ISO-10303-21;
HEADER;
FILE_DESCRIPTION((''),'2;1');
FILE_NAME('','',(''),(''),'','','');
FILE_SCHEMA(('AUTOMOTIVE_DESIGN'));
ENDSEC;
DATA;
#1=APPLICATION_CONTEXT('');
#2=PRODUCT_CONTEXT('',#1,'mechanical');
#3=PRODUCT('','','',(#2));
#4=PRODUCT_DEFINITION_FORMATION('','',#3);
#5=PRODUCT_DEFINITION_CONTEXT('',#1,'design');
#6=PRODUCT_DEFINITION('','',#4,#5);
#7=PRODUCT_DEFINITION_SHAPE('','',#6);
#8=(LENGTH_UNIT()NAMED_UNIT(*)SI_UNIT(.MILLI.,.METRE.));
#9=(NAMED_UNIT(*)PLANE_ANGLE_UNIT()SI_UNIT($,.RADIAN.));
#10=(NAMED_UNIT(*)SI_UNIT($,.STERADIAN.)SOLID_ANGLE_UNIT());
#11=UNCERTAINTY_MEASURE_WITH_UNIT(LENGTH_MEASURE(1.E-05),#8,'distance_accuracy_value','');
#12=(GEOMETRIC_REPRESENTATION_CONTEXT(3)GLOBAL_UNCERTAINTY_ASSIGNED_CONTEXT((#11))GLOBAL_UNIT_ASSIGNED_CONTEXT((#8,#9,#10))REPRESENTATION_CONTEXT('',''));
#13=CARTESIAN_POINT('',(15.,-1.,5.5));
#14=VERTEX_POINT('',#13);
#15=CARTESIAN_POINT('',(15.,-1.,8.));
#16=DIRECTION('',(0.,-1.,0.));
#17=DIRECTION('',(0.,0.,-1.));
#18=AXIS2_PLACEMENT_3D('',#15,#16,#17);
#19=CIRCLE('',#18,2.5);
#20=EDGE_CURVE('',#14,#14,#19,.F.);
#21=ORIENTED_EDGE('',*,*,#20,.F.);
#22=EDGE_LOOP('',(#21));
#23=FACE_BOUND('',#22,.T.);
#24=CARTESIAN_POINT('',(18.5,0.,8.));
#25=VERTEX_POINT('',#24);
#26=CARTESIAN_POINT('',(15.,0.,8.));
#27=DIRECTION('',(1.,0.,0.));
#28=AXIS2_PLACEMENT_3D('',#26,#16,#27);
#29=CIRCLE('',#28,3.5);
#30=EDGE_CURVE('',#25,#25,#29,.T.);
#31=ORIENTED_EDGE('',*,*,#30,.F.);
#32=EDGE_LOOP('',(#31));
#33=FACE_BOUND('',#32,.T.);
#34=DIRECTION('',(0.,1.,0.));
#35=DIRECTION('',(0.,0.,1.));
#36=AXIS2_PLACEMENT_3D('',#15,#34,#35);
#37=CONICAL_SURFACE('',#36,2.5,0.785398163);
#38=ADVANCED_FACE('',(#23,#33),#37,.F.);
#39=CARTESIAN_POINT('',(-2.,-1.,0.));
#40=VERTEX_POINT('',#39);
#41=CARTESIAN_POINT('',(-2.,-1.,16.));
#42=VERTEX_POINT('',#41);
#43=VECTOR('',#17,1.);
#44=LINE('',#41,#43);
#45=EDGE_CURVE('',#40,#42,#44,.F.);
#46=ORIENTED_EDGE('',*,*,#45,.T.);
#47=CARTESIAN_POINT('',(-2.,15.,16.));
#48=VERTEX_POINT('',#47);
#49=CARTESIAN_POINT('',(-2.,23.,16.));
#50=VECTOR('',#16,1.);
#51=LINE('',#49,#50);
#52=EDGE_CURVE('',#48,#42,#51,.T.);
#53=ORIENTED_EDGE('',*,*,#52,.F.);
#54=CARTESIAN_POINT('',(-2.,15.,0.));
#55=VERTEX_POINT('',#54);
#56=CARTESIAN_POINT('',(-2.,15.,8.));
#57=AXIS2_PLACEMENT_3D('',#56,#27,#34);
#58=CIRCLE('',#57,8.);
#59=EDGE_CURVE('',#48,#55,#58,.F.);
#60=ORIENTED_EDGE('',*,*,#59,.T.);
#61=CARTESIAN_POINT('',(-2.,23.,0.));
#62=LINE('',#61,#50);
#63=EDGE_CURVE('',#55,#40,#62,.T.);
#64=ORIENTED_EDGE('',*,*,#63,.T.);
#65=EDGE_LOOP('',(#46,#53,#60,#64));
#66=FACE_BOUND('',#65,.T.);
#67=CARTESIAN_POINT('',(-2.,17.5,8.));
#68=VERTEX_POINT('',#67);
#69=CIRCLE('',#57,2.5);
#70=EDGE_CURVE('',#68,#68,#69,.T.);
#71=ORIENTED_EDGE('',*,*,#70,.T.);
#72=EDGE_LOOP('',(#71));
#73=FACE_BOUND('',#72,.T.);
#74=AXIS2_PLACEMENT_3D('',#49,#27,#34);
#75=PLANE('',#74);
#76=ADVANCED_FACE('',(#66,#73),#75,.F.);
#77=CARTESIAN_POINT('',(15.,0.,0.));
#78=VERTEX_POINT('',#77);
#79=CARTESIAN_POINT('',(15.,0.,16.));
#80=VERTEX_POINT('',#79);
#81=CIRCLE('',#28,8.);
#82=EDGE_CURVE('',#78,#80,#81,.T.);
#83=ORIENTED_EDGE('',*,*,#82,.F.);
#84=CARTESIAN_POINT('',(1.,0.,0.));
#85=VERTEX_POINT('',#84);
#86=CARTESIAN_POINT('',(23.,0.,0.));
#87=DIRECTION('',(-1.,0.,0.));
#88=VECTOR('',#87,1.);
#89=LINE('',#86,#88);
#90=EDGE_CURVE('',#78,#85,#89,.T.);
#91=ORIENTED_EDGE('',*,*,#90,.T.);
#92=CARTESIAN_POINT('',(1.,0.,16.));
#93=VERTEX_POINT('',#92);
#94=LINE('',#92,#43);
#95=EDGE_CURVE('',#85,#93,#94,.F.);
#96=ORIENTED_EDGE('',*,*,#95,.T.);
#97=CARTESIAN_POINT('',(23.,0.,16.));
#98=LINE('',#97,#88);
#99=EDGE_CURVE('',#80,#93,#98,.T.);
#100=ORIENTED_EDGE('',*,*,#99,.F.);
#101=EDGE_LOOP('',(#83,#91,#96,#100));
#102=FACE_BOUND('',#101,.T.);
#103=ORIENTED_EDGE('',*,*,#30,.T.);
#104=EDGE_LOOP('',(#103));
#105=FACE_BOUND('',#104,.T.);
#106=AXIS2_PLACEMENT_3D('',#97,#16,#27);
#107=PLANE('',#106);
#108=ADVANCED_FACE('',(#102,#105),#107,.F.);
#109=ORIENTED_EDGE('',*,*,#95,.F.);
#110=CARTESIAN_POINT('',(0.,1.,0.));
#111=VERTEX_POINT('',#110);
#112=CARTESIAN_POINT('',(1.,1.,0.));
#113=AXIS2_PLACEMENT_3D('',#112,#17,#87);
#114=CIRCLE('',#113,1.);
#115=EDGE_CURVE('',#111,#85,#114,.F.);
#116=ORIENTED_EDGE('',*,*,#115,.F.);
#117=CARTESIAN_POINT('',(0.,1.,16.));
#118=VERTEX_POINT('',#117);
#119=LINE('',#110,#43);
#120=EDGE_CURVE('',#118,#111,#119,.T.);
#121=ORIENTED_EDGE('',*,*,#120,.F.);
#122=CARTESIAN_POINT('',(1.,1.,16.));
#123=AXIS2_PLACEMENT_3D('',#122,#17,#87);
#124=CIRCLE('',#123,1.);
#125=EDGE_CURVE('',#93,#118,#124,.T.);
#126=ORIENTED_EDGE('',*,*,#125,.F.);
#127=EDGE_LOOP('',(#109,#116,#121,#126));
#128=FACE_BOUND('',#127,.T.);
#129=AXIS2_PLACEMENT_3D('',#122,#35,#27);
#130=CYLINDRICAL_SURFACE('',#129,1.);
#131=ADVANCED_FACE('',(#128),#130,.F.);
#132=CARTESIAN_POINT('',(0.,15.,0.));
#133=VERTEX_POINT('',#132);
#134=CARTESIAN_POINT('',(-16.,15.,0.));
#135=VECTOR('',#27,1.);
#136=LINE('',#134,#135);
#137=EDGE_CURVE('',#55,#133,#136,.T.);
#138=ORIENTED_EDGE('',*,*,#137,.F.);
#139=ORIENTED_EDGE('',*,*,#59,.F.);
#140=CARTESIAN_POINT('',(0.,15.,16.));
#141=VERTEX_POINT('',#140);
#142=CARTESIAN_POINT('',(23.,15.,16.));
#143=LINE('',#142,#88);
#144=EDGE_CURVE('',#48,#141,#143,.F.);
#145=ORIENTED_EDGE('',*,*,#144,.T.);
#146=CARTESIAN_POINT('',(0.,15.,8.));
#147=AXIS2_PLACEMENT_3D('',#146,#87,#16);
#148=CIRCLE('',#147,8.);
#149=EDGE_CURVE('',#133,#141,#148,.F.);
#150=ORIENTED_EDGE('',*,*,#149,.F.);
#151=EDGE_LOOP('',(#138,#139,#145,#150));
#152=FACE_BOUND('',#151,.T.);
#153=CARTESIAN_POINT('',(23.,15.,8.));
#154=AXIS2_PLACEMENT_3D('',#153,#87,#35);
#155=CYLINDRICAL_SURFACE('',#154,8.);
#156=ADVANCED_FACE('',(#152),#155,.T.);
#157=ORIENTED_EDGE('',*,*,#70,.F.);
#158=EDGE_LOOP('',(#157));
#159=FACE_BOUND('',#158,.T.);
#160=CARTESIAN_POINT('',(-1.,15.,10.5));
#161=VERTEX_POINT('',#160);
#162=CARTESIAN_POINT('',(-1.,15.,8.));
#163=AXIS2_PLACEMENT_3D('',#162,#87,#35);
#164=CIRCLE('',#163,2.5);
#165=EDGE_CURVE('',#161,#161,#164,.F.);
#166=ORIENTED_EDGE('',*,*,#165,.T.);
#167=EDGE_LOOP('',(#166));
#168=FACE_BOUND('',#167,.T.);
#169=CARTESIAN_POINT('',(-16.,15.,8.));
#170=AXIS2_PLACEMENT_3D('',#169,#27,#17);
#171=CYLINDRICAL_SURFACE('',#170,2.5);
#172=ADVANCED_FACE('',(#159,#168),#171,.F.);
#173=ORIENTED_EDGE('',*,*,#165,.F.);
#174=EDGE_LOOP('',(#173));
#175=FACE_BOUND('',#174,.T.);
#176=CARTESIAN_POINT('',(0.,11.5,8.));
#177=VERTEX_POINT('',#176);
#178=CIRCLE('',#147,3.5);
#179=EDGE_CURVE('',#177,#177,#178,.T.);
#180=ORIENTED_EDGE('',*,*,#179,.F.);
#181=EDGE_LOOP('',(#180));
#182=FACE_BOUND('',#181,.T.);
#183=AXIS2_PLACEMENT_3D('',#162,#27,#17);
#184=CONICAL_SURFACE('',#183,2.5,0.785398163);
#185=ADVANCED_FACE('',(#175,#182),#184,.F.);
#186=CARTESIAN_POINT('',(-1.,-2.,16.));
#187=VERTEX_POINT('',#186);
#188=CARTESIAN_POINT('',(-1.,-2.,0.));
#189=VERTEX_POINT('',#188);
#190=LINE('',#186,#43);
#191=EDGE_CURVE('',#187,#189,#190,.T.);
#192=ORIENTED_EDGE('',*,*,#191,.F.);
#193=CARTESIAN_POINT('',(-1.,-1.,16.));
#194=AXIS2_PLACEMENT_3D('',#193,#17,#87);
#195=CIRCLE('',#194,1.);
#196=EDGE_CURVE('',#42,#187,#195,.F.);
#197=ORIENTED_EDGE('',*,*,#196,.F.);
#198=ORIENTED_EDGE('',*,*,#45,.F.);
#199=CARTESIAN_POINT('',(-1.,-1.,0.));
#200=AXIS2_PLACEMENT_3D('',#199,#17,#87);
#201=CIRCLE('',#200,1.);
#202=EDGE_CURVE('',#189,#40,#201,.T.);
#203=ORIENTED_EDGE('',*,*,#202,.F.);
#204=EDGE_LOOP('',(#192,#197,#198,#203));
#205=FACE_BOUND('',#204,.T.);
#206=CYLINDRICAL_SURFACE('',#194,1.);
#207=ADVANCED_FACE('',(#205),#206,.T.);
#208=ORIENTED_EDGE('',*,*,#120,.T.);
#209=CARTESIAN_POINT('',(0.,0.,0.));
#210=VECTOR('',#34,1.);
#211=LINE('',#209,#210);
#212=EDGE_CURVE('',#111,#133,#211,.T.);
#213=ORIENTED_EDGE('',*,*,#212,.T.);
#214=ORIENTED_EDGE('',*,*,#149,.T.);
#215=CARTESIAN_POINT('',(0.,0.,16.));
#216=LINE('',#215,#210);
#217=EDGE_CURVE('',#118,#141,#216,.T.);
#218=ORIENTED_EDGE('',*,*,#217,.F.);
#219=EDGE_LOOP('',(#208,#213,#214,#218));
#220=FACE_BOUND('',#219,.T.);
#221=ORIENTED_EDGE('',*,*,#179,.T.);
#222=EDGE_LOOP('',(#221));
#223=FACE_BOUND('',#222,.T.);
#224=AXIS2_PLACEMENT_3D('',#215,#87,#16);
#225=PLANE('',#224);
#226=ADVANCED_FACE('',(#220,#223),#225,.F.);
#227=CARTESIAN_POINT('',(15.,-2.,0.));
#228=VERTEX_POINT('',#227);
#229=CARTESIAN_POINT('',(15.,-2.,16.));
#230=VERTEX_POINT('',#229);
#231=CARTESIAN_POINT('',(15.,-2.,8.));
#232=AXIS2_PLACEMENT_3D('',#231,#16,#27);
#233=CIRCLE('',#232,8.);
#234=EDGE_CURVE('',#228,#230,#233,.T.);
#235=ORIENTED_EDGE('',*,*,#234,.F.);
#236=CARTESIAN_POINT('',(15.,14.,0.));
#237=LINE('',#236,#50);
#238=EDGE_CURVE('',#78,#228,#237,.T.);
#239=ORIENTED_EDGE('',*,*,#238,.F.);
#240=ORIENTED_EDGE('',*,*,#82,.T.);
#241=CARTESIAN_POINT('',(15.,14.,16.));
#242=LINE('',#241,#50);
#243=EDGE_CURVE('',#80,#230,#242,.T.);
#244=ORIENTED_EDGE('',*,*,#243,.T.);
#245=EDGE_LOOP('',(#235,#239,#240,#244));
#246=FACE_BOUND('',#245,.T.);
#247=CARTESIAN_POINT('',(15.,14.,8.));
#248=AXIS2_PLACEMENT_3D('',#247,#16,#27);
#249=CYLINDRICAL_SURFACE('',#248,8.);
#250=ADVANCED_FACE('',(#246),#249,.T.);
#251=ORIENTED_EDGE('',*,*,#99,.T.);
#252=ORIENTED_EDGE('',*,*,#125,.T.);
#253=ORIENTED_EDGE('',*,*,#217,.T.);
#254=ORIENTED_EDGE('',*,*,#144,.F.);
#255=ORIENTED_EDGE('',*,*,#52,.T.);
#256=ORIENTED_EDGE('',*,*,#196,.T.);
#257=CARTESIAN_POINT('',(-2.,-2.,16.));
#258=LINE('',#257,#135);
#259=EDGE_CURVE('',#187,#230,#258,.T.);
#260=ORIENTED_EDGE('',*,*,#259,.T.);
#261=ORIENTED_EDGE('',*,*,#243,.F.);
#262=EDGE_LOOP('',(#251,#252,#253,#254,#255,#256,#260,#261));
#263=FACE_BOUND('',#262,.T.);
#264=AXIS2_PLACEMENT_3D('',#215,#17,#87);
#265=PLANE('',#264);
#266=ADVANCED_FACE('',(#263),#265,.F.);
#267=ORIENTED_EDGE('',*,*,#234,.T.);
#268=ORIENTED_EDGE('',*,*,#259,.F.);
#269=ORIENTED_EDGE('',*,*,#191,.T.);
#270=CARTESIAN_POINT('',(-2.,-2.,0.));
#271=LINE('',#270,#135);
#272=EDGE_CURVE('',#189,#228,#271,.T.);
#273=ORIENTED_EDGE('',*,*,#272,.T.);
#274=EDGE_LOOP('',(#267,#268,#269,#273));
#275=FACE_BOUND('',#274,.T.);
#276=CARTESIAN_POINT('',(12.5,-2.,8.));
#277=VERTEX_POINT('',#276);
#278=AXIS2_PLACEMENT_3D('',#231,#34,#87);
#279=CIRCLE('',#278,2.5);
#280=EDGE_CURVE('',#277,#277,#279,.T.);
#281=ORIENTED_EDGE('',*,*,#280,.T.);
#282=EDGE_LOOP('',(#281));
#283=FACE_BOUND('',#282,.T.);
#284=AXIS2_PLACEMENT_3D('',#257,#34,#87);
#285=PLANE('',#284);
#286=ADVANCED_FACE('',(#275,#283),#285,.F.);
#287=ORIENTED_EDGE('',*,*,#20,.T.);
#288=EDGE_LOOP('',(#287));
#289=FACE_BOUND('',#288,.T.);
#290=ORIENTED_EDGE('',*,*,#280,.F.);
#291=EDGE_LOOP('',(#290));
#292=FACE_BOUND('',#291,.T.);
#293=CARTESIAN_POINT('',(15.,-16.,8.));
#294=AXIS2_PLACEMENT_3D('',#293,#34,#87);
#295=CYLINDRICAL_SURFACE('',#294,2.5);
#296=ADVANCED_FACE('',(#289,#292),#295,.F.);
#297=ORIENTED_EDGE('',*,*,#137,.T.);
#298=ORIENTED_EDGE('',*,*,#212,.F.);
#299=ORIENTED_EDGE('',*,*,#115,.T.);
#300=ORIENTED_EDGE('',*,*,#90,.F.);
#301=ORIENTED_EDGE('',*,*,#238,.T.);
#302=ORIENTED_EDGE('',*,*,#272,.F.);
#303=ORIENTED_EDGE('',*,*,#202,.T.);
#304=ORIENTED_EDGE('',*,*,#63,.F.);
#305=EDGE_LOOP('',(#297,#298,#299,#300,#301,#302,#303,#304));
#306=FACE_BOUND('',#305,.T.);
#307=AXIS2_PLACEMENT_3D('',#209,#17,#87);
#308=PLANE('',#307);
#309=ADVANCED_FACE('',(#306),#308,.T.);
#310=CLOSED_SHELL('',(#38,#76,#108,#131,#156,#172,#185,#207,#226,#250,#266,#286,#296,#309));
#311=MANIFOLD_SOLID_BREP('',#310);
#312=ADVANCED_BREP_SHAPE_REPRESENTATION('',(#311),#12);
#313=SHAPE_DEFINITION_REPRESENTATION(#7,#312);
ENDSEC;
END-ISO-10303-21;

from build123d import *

# Parameters (mm, degrees)
EXTRUDE_1_DEPTH          = 16
CUT_EXTRUDE_1_DEPTH      = 37.249137921
CUT_EXTRUDE_1_DEPTH_BACK = 16
CUT_EXTRUDE_2_DEPTH      = 38.549966711
CUT_EXTRUDE_2_DEPTH_BACK = 16
SKETCH_4_R               = 2.5
CUT_EXTRUDE_3_DEPTH      = 16
SKETCH_5_R               = 2.5
CUT_EXTRUDE_4_DEPTH      = 16
FILLET_1_R               = 1
FILLET_2_R               = 1
CHAMFER_1_SIZE           = 1
CHAMFER_2_SIZE           = 1


with BuildPart() as part:
    # 草图1 → 凸台-拉伸1 (new body)
    with BuildSketch(Plane.XY):
        Polygon((0, 0), (0, 23), (-2, 23), (-2, -2), (23, -2), (23, 0), align=None)
    extrude(amount=EXTRUDE_1_DEPTH)

    # 草图2 → 切除-拉伸1 (cut, two sides: drawn at the far end of the back side and taken through both)
    with BuildSketch(Plane(origin=(0, 0, 0), x_dir=(0, 0, -1), z_dir=(1, 0, 0)).offset(-CUT_EXTRUDE_1_DEPTH_BACK)):
        with BuildLine():
            ThreePointArc((-16, 15), (-13.656854249, 20.656854249), (-8, 23))
            Line((-8, 23), (-16, 23))
            Line((-16, 23), (-16, 15))
        make_face()
        with BuildLine():
            ThreePointArc((-8, 23), (-2.343145751, 20.656854249), (0, 15))
            Line((0, 15), (0, 23))
            Line((0, 23), (-8, 23))
        make_face()
    extrude(amount=CUT_EXTRUDE_1_DEPTH + CUT_EXTRUDE_1_DEPTH_BACK, mode=Mode.SUBTRACT)

    # 草图3 → 切除-拉伸2 (cut, two sides: drawn at the far end of the back side and taken through both)
    with BuildSketch(Plane.XZ.offset(2).offset(-CUT_EXTRUDE_2_DEPTH_BACK)):
        with BuildLine():
            ThreePointArc((23, 8), (20.656854249, 2.343145751), (15, 0))
            Line((15, 0), (23, 0))
            Line((23, 0), (23, 8))
        make_face()
        with BuildLine():
            ThreePointArc((15, 16), (20.656854249, 13.656854249), (23, 8))
            Line((23, 8), (23, 16))
            Line((23, 16), (15, 16))
        make_face()
    extrude(amount=CUT_EXTRUDE_2_DEPTH + CUT_EXTRUDE_2_DEPTH_BACK, mode=Mode.SUBTRACT)

    # 草图4 → 切除-拉伸3 (cut)
    with BuildSketch(Plane(origin=(0, 0, 0), x_dir=(1, 0, 0), z_dir=(0, 1, 0))):
        with Locations(Location((15, -8, 0), (0, 0, 180))):
            Circle(SKETCH_4_R)
    extrude(amount=-CUT_EXTRUDE_3_DEPTH, mode=Mode.SUBTRACT)

    # 草图5 → 切除-拉伸4 (cut)
    with BuildSketch(Plane(origin=(0, 0, 0), x_dir=(0, 0, -1), z_dir=(1, 0, 0))):
        with Locations((-8, 15)):
            Circle(SKETCH_5_R)
    extrude(amount=-CUT_EXTRUDE_4_DEPTH, mode=Mode.SUBTRACT)

    # 圆角1
    fillet_1_edges = [part.edges().sort_by_distance(p)[0] for p in [
        (0, 0, 8),
    ]]
    fillet(fillet_1_edges, radius=FILLET_1_R)

    # 圆角2
    fillet_2_edges = [part.edges().sort_by_distance(p)[0] for p in [
        (-2, -2, 8),
    ]]
    fillet(fillet_2_edges, radius=FILLET_2_R)

    # 倒角1
    chamfer_1_edges = [part.edges().sort_by_distance(p)[0] for p in [
        (0, 15, 10.5),
    ]]
    chamfer(chamfer_1_edges, length=CHAMFER_1_SIZE)

    # 倒角2
    chamfer_2_edges = [part.edges().sort_by_distance(p)[0] for p in [
        (17.5, 0, 8),
    ]]
    chamfer(chamfer_2_edges, length=CHAMFER_2_SIZE)


solid = part.part
